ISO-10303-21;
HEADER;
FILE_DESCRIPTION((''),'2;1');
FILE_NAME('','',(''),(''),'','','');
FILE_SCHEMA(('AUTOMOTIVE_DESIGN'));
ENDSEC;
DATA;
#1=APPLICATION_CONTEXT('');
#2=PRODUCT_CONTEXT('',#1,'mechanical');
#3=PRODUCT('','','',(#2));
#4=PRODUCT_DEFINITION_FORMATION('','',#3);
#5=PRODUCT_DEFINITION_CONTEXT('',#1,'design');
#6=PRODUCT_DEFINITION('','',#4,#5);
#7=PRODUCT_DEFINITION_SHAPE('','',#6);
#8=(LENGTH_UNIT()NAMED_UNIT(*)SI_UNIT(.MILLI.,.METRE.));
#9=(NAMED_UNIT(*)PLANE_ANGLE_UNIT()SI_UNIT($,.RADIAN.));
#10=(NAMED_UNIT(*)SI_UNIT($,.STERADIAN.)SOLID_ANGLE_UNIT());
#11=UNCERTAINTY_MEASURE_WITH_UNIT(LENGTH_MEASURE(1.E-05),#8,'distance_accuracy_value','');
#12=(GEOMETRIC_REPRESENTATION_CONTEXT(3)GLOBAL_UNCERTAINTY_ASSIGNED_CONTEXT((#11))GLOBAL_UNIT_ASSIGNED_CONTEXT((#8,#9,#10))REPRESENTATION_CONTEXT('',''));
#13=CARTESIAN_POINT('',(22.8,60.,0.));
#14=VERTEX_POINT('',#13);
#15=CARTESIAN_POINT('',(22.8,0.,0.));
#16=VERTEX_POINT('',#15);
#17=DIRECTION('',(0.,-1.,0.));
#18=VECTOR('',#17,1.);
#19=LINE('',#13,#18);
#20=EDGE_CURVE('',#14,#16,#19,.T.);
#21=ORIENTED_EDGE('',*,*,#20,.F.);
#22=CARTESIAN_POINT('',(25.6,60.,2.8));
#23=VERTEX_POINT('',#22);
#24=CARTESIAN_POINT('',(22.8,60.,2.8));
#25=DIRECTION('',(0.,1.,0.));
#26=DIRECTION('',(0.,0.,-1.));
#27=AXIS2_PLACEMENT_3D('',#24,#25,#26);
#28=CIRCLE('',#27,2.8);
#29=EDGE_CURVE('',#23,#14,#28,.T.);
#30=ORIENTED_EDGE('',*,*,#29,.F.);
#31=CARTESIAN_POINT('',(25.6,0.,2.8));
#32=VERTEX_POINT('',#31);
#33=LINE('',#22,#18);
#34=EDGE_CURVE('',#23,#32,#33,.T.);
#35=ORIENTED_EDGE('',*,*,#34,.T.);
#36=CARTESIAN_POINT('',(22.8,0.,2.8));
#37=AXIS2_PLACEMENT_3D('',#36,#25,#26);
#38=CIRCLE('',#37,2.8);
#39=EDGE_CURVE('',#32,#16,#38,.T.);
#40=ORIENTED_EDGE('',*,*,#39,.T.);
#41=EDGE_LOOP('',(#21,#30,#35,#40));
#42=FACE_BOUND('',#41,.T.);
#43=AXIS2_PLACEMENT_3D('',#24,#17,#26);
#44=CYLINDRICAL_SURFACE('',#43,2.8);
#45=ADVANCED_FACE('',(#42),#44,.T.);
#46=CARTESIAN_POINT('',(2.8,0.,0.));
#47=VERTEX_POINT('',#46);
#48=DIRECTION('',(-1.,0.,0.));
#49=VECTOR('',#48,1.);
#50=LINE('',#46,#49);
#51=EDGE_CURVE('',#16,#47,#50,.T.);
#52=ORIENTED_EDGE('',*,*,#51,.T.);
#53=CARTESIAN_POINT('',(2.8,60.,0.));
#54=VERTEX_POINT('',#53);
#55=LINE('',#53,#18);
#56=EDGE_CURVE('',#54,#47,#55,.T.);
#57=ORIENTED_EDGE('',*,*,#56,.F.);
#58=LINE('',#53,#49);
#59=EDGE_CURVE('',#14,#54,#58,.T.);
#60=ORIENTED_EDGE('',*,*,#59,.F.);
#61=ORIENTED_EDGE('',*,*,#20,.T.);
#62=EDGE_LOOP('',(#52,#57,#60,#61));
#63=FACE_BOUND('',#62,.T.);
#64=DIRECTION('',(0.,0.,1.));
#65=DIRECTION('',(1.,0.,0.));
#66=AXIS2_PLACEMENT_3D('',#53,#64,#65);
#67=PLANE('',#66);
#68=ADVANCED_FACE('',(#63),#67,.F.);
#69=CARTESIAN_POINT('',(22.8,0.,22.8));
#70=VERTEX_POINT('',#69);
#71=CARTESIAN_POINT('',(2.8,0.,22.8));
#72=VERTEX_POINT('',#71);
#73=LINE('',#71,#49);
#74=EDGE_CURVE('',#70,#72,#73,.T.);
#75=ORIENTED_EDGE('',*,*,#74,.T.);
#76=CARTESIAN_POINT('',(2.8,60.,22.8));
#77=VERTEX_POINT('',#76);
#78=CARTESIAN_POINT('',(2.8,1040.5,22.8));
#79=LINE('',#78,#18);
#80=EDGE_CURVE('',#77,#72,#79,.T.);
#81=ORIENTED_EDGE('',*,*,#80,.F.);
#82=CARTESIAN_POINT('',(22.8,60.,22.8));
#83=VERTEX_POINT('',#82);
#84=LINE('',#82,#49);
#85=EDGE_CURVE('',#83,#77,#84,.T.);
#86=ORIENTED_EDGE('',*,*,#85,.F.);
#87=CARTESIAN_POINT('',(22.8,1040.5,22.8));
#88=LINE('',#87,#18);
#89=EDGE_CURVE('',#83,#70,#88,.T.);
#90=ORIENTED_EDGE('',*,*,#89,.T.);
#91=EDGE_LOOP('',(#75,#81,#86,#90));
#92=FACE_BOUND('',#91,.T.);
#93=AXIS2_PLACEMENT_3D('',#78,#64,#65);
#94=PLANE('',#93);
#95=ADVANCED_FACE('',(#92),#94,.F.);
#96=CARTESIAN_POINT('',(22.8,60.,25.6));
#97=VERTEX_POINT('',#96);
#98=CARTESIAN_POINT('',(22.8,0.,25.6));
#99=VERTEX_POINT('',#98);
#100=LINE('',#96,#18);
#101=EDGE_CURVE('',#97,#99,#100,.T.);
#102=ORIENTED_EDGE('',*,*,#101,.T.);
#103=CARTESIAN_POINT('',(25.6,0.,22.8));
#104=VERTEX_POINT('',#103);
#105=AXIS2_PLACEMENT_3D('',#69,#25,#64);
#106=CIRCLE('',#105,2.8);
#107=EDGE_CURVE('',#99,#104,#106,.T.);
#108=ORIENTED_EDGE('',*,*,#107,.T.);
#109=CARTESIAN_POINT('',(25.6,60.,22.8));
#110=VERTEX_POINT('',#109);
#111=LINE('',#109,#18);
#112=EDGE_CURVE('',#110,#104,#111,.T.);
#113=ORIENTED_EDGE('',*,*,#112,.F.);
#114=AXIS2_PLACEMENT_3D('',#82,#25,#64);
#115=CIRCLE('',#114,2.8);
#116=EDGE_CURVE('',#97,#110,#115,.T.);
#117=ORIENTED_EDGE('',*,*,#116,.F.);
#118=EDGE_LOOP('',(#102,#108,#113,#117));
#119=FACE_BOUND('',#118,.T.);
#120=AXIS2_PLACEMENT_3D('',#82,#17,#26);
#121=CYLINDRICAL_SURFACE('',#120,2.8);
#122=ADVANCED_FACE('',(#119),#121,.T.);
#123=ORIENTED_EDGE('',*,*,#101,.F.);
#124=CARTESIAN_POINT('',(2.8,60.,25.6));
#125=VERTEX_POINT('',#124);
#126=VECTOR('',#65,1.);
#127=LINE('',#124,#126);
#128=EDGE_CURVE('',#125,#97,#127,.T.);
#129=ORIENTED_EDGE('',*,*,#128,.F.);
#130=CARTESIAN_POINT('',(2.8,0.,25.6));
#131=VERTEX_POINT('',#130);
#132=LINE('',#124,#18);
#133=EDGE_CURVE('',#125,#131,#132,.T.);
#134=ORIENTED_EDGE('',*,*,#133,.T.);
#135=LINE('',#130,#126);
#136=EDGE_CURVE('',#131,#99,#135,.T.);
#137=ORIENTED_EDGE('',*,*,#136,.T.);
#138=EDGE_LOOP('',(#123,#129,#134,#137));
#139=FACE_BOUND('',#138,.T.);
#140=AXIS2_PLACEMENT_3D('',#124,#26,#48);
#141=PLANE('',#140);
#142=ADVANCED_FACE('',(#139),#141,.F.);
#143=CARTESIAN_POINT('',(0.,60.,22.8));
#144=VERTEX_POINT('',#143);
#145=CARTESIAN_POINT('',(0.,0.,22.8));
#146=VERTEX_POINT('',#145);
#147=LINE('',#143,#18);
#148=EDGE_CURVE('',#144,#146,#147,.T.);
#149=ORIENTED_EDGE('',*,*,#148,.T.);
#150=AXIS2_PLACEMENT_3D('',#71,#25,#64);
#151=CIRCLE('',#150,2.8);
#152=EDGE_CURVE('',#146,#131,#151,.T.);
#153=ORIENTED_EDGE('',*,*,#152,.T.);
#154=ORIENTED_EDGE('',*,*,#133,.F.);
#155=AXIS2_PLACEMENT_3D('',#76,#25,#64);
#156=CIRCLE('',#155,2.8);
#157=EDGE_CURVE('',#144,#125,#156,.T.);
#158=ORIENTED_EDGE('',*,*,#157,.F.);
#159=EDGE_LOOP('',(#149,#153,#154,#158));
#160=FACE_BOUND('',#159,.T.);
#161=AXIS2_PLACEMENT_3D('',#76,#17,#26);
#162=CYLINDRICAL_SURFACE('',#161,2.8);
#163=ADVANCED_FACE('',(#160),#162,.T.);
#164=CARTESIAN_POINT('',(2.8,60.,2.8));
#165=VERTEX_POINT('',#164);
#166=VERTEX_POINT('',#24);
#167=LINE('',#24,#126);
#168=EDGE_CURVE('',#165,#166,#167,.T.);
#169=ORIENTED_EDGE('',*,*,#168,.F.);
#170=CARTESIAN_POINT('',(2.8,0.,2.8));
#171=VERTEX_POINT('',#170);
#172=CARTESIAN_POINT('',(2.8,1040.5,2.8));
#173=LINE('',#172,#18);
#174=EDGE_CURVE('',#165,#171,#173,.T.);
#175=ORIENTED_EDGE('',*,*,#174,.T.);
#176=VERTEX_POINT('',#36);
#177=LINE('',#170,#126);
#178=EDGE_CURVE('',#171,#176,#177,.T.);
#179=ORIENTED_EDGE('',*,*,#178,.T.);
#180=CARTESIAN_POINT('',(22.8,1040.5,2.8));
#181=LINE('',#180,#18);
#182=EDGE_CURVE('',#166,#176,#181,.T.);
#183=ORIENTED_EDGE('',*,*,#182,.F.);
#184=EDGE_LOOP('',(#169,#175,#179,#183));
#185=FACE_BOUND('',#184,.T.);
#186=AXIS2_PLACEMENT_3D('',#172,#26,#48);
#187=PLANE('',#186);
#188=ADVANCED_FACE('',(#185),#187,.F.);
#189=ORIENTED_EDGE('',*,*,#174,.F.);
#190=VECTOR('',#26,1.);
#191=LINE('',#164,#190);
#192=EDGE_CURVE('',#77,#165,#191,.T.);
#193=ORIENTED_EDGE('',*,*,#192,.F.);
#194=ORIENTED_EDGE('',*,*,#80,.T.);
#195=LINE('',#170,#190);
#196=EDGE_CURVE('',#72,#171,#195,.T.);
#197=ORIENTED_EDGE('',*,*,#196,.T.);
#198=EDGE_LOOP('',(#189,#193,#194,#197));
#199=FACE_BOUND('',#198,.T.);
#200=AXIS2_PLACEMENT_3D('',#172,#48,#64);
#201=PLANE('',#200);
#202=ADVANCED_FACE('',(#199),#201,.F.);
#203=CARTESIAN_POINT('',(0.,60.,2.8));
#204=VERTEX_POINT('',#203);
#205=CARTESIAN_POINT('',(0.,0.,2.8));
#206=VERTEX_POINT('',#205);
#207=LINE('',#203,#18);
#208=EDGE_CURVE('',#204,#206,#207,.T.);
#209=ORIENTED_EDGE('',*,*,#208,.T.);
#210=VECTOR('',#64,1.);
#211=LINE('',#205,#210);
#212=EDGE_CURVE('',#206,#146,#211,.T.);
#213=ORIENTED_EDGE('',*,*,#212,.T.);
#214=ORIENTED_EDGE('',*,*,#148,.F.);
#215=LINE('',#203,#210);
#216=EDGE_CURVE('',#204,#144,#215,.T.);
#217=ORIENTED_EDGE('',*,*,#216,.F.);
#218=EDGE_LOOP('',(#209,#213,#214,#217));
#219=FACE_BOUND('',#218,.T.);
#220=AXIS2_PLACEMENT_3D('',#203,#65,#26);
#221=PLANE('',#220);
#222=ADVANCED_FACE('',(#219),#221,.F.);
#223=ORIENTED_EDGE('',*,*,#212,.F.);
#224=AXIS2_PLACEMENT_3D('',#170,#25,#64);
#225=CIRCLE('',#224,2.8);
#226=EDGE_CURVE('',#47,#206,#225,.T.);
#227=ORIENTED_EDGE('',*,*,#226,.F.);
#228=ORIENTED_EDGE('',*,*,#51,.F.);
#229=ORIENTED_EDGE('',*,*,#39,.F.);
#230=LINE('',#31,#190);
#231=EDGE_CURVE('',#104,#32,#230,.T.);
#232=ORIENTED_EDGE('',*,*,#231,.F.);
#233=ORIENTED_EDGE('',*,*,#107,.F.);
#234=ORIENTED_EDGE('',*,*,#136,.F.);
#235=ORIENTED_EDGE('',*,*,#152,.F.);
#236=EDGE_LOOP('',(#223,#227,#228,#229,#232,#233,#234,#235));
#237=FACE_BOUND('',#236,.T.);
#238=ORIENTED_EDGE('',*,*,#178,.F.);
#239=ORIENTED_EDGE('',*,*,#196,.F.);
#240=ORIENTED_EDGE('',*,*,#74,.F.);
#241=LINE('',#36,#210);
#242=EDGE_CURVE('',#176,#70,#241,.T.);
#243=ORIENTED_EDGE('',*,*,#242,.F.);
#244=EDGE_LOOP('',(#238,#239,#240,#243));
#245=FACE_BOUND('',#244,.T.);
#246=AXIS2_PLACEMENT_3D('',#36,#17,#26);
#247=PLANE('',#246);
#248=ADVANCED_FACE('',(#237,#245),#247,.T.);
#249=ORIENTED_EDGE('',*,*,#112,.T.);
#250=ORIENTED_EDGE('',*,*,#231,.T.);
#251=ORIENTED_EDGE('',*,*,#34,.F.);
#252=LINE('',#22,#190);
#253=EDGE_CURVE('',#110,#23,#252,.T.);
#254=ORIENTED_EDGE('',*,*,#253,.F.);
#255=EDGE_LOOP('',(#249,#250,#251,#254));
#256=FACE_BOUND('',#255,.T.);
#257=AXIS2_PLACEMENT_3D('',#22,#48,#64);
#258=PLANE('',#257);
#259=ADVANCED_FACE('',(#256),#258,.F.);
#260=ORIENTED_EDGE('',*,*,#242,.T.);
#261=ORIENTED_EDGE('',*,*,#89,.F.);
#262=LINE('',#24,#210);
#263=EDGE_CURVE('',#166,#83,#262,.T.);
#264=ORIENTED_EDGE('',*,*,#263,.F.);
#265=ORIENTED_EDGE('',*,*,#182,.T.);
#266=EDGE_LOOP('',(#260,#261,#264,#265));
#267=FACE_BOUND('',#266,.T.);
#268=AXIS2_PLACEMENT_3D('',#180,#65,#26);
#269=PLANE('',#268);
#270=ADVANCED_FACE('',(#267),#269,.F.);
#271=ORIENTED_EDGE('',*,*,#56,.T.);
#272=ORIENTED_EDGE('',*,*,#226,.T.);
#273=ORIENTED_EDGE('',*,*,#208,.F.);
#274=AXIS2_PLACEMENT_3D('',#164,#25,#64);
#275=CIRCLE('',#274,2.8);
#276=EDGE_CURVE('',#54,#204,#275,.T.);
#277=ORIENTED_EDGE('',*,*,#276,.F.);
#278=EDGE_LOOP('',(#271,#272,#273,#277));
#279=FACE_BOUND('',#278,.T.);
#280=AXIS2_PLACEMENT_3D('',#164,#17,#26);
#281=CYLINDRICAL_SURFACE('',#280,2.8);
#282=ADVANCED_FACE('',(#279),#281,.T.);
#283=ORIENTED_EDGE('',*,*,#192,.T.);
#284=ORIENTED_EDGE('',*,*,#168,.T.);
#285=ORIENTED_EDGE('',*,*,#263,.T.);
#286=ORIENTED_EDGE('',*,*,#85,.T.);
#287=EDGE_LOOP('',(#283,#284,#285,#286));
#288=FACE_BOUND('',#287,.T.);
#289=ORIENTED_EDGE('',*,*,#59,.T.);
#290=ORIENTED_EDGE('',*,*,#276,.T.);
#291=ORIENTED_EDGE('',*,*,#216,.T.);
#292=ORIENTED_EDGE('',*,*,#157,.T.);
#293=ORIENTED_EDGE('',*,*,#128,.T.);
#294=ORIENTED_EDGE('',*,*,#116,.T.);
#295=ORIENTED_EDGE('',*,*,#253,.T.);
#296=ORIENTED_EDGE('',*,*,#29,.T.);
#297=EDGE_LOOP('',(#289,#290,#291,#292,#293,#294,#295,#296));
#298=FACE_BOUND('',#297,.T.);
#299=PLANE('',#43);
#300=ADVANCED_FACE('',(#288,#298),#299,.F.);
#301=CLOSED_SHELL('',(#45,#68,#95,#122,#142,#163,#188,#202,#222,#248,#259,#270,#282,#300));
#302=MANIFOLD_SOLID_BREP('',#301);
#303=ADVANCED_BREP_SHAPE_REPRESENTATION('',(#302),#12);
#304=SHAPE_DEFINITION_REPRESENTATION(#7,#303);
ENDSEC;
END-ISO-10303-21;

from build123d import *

# Parameters (mm, degrees)
BOSS_EXTRUDE1_DEPTH = 60
SKETCH3_W           = 20
SKETCH3_H           = 20
CUT_EXTRUDE1_DEPTH  = 1040.5


with BuildPart() as part:
    # Sketch1 → Boss-Extrude1 (new body)
    with BuildSketch(Plane(origin=(0, 0, 0), x_dir=(1, 0, 0), z_dir=(0, 1, 0))):
        with BuildLine():
            Line((2.8, 0), (22.8, 0))
            ThreePointArc((22.8, 0), (24.779898987, -0.820101013), (25.6, -2.8))
            Line((25.6, -2.8), (25.6, -22.8))
            ThreePointArc((25.6, -22.8), (24.779898987, -24.779898987), (22.8, -25.6))
            Line((22.8, -25.6), (2.8, -25.6))
            ThreePointArc((2.8, -25.6), (0.820101013, -24.779898987), (0, -22.8))
            Line((0, -22.8), (0, -2.8))
            ThreePointArc((0, -2.8), (0.820101013, -0.820101013), (2.8, 0))
        make_face()
    extrude(amount=BOSS_EXTRUDE1_DEPTH)

    # Sketch3 → Cut-Extrude1 (cut)
    with BuildSketch(Plane(origin=(0, 0, 0), x_dir=(-1, 0, 0), z_dir=(0, -1, 0))):
        with Locations((-12.8, -12.8)):
            Rectangle(SKETCH3_W, SKETCH3_H)
    extrude(amount=-CUT_EXTRUDE1_DEPTH, mode=Mode.SUBTRACT)


solid = part.part
